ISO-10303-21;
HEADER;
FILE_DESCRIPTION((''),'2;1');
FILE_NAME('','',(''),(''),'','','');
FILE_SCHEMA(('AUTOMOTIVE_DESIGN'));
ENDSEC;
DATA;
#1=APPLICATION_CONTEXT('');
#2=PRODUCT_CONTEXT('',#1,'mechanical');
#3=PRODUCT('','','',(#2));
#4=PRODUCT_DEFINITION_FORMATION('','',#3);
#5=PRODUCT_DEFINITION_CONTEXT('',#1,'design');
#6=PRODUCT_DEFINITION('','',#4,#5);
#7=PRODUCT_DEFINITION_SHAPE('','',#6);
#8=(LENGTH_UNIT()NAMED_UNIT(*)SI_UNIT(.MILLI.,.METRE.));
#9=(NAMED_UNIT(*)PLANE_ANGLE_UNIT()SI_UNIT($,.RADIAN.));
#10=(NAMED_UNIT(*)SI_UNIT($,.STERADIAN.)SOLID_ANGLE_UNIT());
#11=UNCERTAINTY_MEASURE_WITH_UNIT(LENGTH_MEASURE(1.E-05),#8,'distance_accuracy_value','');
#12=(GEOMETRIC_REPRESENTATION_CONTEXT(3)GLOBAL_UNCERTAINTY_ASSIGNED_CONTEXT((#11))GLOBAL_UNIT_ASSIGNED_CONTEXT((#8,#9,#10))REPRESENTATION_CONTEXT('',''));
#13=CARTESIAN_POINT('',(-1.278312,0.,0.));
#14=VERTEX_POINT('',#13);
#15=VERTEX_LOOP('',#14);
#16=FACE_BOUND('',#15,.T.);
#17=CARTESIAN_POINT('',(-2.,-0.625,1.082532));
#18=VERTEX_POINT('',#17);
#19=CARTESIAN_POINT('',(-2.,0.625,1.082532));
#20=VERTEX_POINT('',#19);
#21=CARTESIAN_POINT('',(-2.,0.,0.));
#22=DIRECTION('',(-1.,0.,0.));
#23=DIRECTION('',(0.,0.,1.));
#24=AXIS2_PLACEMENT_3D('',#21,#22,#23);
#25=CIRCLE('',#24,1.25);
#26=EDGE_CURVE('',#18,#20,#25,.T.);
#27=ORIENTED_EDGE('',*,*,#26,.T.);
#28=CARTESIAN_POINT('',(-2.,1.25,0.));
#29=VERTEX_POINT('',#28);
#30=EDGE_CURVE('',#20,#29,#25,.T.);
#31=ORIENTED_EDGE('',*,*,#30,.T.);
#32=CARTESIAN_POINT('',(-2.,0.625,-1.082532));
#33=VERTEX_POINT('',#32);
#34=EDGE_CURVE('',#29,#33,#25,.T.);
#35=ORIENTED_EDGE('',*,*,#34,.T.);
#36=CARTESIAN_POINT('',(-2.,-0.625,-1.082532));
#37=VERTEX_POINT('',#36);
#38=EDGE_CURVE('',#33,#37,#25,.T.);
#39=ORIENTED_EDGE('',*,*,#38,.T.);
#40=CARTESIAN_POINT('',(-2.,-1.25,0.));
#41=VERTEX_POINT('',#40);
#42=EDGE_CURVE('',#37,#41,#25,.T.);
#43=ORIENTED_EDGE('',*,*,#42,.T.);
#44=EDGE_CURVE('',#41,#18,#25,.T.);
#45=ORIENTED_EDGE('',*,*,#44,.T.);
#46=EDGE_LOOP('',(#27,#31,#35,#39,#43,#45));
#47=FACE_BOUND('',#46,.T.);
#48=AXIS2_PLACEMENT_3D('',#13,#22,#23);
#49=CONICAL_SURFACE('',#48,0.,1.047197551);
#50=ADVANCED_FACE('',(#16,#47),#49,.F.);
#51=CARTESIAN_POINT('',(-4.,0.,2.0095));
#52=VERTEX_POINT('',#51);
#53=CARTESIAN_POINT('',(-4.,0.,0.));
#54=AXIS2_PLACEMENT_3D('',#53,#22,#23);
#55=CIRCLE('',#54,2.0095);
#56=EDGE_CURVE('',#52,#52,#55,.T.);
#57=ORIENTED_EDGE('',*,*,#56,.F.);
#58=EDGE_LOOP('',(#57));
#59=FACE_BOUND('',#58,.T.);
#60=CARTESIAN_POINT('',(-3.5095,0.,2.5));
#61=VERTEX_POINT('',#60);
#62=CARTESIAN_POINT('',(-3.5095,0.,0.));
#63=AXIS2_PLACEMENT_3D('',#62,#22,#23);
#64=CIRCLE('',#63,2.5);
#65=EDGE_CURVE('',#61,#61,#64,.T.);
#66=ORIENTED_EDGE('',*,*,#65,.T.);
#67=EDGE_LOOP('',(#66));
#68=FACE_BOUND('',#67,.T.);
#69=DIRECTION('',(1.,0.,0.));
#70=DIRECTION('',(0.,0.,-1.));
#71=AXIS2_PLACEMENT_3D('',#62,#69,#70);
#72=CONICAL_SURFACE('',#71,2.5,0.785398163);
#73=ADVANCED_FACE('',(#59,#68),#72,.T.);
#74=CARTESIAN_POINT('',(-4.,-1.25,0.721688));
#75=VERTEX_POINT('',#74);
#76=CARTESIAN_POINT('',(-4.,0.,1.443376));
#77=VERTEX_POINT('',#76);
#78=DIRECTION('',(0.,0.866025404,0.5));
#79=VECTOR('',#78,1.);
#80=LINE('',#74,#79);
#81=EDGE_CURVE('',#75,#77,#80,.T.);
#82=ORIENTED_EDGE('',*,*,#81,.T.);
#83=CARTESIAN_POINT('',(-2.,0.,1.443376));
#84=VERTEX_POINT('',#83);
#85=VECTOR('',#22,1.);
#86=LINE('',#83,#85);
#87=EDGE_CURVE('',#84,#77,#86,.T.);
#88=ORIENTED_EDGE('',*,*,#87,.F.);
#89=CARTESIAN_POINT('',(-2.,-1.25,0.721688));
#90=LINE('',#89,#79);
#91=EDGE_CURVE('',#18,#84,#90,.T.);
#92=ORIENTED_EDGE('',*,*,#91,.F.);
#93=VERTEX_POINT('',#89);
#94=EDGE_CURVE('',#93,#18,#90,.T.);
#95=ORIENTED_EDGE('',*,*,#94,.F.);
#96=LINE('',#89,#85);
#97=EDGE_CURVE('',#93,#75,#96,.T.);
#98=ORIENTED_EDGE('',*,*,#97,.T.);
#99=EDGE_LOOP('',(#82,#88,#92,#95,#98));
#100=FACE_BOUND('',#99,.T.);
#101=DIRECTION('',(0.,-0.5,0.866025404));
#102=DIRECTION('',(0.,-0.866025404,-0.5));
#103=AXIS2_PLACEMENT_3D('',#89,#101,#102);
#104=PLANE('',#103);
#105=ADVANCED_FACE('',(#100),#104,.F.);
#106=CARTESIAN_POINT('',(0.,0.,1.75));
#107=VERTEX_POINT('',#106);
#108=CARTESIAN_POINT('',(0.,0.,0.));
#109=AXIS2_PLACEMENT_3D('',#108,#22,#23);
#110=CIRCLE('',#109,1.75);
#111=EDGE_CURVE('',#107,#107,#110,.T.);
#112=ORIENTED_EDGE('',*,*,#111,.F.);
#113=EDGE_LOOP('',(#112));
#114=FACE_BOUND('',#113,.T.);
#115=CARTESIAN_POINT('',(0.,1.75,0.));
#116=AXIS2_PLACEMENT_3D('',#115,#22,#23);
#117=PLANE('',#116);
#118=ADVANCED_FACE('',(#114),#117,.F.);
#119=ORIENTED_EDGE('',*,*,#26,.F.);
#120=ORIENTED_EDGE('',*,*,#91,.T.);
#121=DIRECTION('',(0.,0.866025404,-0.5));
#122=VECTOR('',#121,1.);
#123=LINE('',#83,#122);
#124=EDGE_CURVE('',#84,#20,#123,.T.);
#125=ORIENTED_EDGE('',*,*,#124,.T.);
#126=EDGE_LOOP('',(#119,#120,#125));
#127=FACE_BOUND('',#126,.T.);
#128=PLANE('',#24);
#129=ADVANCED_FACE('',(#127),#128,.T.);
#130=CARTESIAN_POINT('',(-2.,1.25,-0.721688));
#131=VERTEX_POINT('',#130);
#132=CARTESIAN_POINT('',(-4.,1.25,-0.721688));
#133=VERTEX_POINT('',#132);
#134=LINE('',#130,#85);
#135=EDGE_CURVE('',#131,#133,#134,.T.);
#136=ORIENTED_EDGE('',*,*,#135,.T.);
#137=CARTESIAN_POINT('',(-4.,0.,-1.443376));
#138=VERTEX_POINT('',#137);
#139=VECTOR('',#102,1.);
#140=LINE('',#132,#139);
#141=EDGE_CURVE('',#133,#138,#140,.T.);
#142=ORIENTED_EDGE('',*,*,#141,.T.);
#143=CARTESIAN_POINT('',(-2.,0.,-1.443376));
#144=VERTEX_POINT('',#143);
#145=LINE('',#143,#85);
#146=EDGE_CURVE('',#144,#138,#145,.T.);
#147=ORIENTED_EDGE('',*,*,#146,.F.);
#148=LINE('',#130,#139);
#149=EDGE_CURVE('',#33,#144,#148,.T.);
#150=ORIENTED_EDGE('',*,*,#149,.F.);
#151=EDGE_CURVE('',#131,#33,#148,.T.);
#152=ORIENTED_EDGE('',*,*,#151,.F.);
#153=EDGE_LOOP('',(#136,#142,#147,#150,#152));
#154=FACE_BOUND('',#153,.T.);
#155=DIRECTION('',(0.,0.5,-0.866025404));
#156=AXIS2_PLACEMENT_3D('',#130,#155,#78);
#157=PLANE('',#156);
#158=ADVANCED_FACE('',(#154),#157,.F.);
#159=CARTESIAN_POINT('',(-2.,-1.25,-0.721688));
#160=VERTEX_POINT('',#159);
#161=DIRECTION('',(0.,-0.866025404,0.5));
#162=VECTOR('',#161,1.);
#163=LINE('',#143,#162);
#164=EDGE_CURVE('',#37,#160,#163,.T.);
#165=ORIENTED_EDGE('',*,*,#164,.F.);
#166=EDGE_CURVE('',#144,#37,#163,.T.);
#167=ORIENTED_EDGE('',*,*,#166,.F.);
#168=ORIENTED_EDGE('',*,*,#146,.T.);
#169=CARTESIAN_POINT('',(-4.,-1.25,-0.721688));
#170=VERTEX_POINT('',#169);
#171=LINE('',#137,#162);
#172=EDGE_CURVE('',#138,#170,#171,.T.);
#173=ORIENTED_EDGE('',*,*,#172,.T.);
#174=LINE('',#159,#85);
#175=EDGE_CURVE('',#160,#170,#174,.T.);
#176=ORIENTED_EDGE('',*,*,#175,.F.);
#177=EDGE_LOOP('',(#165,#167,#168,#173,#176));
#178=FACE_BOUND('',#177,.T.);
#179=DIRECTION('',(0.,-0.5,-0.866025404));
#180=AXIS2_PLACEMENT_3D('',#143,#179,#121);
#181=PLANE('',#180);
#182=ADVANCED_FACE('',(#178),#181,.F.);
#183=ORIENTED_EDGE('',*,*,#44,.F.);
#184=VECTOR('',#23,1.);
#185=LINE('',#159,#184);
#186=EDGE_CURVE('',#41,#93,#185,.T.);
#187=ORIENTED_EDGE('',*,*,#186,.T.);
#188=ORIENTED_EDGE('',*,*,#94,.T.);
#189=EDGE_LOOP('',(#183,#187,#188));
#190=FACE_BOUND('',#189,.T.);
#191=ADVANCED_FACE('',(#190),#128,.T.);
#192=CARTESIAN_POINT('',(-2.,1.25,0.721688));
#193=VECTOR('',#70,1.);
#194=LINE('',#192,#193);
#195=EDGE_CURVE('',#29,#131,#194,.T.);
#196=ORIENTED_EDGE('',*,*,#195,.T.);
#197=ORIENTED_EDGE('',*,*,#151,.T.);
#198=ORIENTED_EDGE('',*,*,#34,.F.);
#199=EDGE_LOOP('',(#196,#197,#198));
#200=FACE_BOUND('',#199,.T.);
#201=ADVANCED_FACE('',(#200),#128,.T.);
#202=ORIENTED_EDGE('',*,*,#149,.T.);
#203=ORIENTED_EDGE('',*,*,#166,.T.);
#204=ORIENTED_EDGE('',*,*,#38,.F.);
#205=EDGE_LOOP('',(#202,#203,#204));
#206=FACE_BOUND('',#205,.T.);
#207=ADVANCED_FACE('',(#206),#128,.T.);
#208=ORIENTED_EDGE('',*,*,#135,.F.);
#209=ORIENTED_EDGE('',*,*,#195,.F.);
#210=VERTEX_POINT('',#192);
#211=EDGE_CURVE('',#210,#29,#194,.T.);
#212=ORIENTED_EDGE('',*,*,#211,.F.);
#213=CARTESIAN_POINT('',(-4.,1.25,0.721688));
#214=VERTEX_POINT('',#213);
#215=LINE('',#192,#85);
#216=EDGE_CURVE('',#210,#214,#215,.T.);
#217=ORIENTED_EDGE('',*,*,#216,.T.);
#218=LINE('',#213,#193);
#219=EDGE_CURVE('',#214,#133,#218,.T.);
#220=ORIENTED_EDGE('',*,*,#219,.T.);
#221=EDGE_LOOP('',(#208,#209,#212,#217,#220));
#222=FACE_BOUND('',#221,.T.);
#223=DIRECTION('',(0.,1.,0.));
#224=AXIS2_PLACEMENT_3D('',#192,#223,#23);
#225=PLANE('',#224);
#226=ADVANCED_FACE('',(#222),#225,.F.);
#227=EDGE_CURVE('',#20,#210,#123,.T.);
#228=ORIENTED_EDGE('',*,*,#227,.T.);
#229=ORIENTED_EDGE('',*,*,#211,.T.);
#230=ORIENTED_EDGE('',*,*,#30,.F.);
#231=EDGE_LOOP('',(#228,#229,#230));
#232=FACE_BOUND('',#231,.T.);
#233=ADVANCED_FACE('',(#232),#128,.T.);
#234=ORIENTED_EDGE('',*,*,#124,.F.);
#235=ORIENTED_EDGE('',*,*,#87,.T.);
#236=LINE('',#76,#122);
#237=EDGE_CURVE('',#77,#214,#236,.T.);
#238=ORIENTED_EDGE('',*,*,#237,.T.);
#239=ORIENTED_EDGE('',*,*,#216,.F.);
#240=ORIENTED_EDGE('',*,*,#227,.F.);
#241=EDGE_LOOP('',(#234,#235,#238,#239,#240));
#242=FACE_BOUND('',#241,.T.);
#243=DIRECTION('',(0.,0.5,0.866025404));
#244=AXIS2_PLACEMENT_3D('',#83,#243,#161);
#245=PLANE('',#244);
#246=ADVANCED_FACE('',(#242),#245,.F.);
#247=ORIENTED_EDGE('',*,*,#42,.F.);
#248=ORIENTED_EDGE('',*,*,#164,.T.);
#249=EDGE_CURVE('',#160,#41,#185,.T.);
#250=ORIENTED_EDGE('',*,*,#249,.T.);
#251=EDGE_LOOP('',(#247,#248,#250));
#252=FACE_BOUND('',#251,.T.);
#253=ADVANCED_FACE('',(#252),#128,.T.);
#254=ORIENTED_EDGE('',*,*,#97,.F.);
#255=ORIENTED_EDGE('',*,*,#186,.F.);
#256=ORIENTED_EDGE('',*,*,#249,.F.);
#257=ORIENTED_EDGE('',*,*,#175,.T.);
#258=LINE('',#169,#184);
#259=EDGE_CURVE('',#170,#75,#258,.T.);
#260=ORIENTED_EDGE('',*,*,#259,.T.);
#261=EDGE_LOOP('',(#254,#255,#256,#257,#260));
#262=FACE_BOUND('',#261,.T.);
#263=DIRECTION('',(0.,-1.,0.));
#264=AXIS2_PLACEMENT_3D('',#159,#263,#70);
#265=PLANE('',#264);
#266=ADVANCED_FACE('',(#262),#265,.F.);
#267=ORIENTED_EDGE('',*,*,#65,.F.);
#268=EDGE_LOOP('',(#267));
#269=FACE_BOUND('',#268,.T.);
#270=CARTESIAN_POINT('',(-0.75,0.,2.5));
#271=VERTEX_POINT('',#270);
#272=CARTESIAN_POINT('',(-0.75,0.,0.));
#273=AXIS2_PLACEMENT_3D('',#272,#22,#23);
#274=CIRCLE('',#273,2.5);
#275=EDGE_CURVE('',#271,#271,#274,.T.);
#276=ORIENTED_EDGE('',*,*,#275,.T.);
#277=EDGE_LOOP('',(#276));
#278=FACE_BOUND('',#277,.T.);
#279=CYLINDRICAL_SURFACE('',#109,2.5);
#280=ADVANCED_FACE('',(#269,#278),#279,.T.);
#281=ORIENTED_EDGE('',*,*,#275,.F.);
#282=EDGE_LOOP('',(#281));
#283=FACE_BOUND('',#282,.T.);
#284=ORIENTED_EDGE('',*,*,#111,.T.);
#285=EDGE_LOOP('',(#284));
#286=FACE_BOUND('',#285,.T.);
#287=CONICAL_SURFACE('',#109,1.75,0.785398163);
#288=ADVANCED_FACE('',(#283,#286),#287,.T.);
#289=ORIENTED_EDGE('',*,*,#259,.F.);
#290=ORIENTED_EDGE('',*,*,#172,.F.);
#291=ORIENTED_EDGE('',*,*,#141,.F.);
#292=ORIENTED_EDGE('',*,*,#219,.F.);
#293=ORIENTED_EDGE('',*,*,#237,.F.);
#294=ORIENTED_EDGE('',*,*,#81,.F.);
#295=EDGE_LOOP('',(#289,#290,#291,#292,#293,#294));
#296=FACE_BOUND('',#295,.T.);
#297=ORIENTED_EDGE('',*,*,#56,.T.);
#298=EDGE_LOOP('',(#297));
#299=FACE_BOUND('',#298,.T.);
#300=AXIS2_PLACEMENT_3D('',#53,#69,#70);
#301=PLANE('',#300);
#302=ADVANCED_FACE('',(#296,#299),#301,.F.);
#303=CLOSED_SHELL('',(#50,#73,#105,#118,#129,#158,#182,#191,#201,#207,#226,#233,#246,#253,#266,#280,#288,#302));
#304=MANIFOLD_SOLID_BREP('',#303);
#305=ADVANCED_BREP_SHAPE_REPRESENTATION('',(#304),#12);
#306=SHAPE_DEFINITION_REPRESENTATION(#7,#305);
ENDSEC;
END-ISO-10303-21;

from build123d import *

# Parameters (mm, degrees)
CUT_EXTRUDE_1_DEPTH = 2


with BuildPart() as part:
    # ｽｹｯﾁ1 → 回転1 (revolve)
    with BuildSketch(Plane.XY):
        Polygon((-4, 0), (-4, 2.0095), (-3.5095, 2.5), (-0.75, 2.5), (0, 1.75), (0, 0), align=None)
    revolve(axis=Axis((0, 0, 0), (-1, 0, 0)))

    # ｽｹｯﾁ2 → ｶｯﾄ - 押し出し1 (cut)
    with BuildSketch(Plane.ZY.offset(4)):
        Polygon((0.721687836, -1.25), (1.443375673, 0), (0.721687836, 1.25), (-0.721687836, 1.25), (-1.443375673, 0), (-0.721687836, -1.25), align=None)
    extrude(amount=-CUT_EXTRUDE_1_DEPTH, mode=Mode.SUBTRACT)

    # ｽｹｯﾁ3 → ｶｯﾄ - 回転1 (revolve, cut)
    with BuildSketch(Plane.XY):
        Polygon((-2, 0), (-2, 1.25), (-1.278312164, 0), align=None)
    revolve(axis=Axis((-1.278312164, 0, 0), (-1, 0, 0)), mode=Mode.SUBTRACT)


solid = part.part
